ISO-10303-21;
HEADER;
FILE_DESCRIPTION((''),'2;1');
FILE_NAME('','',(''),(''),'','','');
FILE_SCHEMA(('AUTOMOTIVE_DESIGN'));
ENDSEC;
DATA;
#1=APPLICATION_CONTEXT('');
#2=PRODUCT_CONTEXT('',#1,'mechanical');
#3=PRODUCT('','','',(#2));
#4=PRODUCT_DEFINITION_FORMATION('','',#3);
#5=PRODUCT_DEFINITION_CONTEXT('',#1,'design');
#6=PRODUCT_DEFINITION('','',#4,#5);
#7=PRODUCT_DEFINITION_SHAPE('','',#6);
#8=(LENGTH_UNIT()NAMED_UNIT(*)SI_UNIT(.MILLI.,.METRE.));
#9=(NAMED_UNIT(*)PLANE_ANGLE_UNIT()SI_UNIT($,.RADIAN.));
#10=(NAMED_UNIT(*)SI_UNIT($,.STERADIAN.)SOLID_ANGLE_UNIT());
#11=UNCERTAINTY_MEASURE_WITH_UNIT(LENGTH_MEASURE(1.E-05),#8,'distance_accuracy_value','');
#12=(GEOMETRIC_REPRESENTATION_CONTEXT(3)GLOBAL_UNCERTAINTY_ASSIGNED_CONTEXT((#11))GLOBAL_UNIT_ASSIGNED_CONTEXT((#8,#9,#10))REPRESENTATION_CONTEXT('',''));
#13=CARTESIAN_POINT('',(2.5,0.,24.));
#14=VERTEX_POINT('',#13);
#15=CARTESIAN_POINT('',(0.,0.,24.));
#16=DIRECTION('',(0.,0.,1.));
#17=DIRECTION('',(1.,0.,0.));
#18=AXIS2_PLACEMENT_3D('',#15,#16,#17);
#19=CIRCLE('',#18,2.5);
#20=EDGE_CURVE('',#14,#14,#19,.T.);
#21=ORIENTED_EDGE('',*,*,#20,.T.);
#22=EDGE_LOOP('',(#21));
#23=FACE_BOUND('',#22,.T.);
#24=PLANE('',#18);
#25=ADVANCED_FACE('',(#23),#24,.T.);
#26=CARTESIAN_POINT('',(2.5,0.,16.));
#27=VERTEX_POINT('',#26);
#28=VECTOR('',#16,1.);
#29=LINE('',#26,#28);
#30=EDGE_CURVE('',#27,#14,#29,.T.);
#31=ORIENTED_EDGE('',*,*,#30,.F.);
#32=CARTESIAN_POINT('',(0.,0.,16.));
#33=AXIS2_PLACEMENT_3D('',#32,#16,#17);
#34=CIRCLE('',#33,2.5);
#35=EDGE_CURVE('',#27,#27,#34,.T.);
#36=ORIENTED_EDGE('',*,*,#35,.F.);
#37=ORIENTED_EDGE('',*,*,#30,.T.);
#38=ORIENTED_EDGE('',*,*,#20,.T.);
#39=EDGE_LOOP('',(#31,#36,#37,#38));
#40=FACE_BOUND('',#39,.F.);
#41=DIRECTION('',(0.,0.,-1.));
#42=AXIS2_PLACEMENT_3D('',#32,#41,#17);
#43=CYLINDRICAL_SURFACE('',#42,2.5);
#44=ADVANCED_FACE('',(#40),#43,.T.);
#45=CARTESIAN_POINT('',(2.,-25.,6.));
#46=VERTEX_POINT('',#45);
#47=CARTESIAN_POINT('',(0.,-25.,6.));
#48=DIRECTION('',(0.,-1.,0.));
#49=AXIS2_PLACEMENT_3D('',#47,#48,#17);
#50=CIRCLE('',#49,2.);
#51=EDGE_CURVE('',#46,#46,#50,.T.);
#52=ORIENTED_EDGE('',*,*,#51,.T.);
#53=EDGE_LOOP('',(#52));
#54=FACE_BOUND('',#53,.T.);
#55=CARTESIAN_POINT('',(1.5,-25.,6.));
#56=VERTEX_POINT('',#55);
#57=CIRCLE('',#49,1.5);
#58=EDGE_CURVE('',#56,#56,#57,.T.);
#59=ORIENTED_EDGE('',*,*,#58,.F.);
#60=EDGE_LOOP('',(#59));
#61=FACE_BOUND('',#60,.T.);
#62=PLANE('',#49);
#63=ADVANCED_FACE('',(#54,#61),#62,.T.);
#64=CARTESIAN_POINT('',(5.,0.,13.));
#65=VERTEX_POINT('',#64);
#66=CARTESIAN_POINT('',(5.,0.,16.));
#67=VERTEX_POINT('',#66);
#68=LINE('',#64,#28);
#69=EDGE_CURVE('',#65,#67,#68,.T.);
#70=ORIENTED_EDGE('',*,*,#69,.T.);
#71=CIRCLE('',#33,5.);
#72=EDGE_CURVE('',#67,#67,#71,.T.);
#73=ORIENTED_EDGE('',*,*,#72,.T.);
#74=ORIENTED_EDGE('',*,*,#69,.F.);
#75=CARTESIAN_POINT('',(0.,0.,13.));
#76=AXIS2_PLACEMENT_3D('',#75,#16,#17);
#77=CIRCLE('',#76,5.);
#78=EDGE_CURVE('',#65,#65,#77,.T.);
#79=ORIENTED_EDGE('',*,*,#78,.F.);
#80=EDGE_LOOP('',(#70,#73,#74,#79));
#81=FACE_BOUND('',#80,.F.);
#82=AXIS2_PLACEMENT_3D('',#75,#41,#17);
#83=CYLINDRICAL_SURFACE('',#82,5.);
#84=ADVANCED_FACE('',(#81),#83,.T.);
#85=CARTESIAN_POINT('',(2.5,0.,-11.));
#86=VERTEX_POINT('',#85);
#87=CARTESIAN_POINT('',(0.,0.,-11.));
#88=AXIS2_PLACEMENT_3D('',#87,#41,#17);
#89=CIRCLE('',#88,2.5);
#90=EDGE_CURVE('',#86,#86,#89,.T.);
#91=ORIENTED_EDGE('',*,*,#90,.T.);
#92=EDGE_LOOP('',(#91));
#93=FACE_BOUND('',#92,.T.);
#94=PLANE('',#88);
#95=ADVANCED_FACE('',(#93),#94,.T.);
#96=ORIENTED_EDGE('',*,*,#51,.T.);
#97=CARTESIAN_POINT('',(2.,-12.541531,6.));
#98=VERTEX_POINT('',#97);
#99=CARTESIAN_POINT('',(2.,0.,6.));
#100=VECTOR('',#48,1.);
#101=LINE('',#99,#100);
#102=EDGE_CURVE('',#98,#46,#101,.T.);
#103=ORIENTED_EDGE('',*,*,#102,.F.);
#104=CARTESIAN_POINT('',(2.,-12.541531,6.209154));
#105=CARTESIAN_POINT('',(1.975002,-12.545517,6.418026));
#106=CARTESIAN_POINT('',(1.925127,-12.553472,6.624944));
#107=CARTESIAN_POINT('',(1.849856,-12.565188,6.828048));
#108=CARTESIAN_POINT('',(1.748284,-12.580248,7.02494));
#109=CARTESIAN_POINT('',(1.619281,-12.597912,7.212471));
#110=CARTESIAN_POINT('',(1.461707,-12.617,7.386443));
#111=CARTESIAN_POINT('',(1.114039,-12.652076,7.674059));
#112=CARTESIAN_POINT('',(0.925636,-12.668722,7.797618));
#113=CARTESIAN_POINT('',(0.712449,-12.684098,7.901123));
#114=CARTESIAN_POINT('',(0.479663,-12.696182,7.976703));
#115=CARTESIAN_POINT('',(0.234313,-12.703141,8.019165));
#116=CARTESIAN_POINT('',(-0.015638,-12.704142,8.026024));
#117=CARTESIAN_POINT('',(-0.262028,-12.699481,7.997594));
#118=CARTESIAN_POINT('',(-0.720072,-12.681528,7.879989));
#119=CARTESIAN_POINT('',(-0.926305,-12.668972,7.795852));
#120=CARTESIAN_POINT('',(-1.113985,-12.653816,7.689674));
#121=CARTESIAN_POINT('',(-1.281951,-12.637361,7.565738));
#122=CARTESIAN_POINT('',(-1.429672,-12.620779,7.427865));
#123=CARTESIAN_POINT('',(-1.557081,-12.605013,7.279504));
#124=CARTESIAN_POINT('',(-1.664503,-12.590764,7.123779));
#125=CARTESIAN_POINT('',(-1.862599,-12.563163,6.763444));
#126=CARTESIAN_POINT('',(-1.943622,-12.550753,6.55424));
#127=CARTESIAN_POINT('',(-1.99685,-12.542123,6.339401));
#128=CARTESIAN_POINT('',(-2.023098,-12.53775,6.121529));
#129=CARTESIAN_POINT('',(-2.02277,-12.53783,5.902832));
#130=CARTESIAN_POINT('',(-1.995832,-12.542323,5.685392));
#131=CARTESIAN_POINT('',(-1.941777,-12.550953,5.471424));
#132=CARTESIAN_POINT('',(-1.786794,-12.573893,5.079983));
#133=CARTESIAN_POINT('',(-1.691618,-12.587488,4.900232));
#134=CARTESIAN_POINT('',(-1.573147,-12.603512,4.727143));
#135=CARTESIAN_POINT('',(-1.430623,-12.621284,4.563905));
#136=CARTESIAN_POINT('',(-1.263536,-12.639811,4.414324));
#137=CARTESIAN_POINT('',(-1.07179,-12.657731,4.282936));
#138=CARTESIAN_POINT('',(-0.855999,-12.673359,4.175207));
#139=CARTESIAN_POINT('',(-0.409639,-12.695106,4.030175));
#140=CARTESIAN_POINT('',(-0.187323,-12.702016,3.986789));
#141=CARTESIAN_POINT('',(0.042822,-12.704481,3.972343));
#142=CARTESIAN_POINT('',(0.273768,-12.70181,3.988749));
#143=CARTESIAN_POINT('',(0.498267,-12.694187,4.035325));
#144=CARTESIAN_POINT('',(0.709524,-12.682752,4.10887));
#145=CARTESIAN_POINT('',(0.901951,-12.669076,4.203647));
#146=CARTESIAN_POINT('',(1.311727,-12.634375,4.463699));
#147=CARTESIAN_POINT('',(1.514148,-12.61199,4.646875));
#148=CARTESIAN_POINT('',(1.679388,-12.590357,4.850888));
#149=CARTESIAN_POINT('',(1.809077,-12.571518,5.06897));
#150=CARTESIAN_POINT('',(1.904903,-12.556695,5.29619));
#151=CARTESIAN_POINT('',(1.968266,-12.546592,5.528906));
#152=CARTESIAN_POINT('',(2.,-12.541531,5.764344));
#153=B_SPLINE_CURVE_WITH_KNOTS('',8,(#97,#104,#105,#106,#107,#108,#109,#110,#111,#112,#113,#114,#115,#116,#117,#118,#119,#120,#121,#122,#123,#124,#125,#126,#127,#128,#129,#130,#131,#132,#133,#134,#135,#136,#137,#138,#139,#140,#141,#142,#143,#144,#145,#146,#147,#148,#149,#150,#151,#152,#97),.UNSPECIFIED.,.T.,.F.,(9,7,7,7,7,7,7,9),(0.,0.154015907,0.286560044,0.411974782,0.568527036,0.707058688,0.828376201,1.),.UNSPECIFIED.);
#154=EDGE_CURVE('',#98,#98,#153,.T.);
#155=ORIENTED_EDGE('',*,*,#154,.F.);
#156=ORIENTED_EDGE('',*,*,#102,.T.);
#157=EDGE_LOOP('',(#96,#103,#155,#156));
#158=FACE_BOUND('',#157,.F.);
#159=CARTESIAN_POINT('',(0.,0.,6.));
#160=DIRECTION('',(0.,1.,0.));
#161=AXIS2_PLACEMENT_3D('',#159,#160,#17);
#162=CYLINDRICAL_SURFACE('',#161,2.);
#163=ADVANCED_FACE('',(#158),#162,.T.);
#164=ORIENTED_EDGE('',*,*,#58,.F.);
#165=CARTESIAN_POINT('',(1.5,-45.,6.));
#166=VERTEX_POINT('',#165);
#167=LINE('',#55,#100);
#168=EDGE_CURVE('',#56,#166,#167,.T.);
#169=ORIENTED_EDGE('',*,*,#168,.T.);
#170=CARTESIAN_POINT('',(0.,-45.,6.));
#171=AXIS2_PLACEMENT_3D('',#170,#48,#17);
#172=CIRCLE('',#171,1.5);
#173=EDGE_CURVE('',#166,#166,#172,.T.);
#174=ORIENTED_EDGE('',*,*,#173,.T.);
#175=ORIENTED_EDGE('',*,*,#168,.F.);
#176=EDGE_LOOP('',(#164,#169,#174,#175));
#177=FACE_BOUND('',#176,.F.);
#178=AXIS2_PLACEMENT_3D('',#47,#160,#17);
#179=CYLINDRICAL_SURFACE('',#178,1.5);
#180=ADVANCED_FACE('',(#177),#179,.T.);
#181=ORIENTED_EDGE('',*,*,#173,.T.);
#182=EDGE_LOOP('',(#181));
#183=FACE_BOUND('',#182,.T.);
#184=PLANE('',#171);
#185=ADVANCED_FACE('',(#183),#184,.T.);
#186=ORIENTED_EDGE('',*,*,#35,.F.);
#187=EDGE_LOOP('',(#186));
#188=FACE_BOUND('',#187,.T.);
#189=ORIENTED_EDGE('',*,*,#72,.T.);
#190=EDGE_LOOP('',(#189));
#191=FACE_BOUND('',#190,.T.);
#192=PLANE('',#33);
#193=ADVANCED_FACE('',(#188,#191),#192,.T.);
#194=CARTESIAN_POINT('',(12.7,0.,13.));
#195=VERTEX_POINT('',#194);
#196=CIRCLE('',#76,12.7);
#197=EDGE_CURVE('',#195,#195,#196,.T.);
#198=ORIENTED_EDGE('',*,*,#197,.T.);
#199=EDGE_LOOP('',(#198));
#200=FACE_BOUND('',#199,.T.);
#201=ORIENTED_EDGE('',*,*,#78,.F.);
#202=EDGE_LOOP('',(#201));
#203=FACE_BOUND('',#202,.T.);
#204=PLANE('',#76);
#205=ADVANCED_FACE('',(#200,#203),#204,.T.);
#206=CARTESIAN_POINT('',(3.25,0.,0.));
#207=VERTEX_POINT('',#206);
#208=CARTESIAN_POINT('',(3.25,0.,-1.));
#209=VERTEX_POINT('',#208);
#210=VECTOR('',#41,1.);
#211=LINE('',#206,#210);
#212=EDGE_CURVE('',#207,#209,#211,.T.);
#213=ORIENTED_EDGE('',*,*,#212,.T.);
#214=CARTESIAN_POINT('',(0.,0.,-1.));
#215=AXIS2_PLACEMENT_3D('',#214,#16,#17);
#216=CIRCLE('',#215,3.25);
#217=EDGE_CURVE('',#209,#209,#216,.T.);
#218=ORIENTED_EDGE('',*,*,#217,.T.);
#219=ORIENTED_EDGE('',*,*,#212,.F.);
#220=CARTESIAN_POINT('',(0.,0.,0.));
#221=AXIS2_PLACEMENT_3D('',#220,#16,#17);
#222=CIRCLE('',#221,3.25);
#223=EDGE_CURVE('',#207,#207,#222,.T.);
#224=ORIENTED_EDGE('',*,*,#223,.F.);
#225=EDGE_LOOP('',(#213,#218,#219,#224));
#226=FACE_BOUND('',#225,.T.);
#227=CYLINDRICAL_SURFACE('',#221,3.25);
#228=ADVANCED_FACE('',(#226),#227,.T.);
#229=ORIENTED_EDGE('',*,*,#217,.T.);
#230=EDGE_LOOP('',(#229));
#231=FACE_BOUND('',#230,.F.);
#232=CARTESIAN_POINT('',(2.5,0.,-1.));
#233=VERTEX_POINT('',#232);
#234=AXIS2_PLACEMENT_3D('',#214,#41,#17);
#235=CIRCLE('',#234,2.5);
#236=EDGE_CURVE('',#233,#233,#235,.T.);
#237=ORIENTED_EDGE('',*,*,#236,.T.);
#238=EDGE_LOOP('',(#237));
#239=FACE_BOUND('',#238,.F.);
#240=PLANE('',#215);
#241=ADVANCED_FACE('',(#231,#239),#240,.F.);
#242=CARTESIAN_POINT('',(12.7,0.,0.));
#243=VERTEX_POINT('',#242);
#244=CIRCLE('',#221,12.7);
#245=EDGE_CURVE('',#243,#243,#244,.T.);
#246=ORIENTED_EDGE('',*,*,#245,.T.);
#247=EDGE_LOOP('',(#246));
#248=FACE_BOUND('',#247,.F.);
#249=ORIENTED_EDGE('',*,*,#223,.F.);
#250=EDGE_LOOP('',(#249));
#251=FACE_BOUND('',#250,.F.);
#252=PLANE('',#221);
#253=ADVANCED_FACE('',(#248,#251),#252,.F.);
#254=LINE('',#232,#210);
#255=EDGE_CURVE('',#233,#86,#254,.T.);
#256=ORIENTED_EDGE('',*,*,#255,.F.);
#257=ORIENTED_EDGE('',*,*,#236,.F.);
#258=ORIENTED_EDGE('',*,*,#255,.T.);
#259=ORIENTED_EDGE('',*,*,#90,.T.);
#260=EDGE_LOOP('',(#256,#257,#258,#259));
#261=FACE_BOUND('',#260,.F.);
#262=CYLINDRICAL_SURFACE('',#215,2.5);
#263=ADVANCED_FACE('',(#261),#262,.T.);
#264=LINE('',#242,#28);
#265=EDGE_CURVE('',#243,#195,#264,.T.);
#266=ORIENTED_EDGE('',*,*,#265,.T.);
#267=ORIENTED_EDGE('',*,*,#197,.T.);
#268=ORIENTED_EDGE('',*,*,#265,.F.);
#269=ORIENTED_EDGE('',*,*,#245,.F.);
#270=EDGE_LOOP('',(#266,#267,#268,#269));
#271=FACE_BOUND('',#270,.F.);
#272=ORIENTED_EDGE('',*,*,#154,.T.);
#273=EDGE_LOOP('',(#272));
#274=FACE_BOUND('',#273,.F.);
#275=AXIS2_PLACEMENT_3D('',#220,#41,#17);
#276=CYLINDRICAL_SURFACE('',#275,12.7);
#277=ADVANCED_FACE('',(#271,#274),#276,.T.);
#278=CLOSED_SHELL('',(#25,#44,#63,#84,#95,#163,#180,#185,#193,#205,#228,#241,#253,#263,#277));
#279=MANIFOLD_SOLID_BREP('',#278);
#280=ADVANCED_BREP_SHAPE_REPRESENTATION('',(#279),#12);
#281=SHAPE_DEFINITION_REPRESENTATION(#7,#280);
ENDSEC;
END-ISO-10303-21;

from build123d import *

# Parameters (mm, degrees)
SKETCH_R     = 12.7
PAD_DEPTH    = 13
SKETCH001_R  = 5
PAD001_DEPTH = 3
SKETCH002_R  = 2.5
PAD002_DEPTH = 8
SKETCH003_R  = 3.25
PAD003_DEPTH = 1
SKETCH004_R  = 2.5
PAD004_DEPTH = 10
SKETCH005_R  = 2
PAD005_DEPTH = 25
SKETCH006_R  = 1.5
PAD006_DEPTH = 20


with BuildPart() as part:
    # Sketch → Pad (new body)
    with BuildSketch(Plane.XY):
        Circle(SKETCH_R)
    extrude(amount=PAD_DEPTH)

    # Sketch001 (on Face3 of Pad) → Pad001 (join)
    with BuildSketch(Plane.XY.offset(13)):
        Circle(SKETCH001_R)
    extrude(amount=PAD001_DEPTH)

    # Sketch002 (on Face5 of Pad001) → Pad002 (join)
    with BuildSketch(Plane.XY.offset(16)):
        Circle(SKETCH002_R)
    extrude(amount=PAD002_DEPTH)

    # Sketch003 → Pad003 (join)
    with BuildSketch(Plane.XY):
        Circle(SKETCH003_R)
    extrude(amount=-PAD003_DEPTH)

    # Sketch004 (on Face6 of Pad003) → Pad004 (join)
    with BuildSketch(Plane(origin=(0, 0, -1), x_dir=(1, 0, 0), z_dir=(0, 0, -1))):
        Circle(SKETCH004_R)
    extrude(amount=PAD004_DEPTH)

    # Sketch005 → Pad005 (join)
    with BuildSketch(Plane.XZ):
        with Locations((0, 6)):
            Circle(SKETCH005_R)
    extrude(amount=PAD005_DEPTH)

    # Sketch006 (on Face7 of Pad005) → Pad006 (join)
    with BuildSketch(Plane.XZ.offset(25)):
        with Locations((0, 6)):
            Circle(SKETCH006_R)
    extrude(amount=PAD006_DEPTH)


solid = part.part
